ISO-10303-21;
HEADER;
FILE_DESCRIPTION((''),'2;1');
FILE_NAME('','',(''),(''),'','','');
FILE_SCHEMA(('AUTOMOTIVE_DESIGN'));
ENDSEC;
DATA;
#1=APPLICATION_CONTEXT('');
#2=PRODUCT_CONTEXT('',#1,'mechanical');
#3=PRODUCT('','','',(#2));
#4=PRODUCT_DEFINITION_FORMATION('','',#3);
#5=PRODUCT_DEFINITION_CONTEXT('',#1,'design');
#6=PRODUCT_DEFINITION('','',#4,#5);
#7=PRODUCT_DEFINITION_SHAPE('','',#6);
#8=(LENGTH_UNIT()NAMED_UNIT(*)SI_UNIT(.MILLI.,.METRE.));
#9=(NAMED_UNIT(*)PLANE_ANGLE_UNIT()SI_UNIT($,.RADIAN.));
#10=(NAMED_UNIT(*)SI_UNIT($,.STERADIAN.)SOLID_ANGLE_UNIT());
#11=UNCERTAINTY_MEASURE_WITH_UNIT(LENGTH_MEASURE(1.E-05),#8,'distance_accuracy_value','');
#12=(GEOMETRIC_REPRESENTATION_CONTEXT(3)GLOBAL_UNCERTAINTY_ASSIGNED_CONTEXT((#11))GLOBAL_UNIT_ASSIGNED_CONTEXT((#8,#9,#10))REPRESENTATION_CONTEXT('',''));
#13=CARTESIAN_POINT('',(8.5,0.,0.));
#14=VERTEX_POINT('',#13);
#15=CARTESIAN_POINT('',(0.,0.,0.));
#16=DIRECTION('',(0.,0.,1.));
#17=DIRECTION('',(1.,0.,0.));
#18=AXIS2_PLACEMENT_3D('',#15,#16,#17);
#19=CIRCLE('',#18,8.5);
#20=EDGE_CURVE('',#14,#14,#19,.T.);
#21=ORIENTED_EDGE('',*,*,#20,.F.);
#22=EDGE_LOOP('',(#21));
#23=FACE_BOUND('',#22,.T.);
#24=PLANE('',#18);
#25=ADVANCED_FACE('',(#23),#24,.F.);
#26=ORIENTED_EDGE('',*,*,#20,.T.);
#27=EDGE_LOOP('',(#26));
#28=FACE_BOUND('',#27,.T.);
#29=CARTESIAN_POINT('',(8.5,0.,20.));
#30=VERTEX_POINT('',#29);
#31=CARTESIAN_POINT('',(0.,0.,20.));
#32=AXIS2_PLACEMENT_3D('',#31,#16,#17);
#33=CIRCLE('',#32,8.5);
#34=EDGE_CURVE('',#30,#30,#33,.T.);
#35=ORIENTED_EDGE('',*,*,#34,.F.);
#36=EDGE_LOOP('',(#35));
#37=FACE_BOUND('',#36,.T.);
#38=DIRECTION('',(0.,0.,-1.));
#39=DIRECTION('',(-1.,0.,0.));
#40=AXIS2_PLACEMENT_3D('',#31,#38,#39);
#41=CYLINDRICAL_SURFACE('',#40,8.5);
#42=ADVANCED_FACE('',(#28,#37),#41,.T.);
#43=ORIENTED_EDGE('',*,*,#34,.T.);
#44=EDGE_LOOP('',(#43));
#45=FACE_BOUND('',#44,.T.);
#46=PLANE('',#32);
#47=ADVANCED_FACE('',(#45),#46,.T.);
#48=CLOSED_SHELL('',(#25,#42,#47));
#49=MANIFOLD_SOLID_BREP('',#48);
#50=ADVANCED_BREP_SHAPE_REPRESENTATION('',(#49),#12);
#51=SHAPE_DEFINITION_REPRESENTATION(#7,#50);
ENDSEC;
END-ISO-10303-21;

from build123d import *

# Parameters (mm, degrees)
SKETCH_1_R      = 8.5
EXTRUDE_1_DEPTH = 20


with BuildPart() as part:
    # Эскиз1 → Бобышка-Вытянуть1 (new body)
    with BuildSketch(Plane.XY):
        Circle(SKETCH_1_R)
    extrude(amount=EXTRUDE_1_DEPTH)


solid = part.part
